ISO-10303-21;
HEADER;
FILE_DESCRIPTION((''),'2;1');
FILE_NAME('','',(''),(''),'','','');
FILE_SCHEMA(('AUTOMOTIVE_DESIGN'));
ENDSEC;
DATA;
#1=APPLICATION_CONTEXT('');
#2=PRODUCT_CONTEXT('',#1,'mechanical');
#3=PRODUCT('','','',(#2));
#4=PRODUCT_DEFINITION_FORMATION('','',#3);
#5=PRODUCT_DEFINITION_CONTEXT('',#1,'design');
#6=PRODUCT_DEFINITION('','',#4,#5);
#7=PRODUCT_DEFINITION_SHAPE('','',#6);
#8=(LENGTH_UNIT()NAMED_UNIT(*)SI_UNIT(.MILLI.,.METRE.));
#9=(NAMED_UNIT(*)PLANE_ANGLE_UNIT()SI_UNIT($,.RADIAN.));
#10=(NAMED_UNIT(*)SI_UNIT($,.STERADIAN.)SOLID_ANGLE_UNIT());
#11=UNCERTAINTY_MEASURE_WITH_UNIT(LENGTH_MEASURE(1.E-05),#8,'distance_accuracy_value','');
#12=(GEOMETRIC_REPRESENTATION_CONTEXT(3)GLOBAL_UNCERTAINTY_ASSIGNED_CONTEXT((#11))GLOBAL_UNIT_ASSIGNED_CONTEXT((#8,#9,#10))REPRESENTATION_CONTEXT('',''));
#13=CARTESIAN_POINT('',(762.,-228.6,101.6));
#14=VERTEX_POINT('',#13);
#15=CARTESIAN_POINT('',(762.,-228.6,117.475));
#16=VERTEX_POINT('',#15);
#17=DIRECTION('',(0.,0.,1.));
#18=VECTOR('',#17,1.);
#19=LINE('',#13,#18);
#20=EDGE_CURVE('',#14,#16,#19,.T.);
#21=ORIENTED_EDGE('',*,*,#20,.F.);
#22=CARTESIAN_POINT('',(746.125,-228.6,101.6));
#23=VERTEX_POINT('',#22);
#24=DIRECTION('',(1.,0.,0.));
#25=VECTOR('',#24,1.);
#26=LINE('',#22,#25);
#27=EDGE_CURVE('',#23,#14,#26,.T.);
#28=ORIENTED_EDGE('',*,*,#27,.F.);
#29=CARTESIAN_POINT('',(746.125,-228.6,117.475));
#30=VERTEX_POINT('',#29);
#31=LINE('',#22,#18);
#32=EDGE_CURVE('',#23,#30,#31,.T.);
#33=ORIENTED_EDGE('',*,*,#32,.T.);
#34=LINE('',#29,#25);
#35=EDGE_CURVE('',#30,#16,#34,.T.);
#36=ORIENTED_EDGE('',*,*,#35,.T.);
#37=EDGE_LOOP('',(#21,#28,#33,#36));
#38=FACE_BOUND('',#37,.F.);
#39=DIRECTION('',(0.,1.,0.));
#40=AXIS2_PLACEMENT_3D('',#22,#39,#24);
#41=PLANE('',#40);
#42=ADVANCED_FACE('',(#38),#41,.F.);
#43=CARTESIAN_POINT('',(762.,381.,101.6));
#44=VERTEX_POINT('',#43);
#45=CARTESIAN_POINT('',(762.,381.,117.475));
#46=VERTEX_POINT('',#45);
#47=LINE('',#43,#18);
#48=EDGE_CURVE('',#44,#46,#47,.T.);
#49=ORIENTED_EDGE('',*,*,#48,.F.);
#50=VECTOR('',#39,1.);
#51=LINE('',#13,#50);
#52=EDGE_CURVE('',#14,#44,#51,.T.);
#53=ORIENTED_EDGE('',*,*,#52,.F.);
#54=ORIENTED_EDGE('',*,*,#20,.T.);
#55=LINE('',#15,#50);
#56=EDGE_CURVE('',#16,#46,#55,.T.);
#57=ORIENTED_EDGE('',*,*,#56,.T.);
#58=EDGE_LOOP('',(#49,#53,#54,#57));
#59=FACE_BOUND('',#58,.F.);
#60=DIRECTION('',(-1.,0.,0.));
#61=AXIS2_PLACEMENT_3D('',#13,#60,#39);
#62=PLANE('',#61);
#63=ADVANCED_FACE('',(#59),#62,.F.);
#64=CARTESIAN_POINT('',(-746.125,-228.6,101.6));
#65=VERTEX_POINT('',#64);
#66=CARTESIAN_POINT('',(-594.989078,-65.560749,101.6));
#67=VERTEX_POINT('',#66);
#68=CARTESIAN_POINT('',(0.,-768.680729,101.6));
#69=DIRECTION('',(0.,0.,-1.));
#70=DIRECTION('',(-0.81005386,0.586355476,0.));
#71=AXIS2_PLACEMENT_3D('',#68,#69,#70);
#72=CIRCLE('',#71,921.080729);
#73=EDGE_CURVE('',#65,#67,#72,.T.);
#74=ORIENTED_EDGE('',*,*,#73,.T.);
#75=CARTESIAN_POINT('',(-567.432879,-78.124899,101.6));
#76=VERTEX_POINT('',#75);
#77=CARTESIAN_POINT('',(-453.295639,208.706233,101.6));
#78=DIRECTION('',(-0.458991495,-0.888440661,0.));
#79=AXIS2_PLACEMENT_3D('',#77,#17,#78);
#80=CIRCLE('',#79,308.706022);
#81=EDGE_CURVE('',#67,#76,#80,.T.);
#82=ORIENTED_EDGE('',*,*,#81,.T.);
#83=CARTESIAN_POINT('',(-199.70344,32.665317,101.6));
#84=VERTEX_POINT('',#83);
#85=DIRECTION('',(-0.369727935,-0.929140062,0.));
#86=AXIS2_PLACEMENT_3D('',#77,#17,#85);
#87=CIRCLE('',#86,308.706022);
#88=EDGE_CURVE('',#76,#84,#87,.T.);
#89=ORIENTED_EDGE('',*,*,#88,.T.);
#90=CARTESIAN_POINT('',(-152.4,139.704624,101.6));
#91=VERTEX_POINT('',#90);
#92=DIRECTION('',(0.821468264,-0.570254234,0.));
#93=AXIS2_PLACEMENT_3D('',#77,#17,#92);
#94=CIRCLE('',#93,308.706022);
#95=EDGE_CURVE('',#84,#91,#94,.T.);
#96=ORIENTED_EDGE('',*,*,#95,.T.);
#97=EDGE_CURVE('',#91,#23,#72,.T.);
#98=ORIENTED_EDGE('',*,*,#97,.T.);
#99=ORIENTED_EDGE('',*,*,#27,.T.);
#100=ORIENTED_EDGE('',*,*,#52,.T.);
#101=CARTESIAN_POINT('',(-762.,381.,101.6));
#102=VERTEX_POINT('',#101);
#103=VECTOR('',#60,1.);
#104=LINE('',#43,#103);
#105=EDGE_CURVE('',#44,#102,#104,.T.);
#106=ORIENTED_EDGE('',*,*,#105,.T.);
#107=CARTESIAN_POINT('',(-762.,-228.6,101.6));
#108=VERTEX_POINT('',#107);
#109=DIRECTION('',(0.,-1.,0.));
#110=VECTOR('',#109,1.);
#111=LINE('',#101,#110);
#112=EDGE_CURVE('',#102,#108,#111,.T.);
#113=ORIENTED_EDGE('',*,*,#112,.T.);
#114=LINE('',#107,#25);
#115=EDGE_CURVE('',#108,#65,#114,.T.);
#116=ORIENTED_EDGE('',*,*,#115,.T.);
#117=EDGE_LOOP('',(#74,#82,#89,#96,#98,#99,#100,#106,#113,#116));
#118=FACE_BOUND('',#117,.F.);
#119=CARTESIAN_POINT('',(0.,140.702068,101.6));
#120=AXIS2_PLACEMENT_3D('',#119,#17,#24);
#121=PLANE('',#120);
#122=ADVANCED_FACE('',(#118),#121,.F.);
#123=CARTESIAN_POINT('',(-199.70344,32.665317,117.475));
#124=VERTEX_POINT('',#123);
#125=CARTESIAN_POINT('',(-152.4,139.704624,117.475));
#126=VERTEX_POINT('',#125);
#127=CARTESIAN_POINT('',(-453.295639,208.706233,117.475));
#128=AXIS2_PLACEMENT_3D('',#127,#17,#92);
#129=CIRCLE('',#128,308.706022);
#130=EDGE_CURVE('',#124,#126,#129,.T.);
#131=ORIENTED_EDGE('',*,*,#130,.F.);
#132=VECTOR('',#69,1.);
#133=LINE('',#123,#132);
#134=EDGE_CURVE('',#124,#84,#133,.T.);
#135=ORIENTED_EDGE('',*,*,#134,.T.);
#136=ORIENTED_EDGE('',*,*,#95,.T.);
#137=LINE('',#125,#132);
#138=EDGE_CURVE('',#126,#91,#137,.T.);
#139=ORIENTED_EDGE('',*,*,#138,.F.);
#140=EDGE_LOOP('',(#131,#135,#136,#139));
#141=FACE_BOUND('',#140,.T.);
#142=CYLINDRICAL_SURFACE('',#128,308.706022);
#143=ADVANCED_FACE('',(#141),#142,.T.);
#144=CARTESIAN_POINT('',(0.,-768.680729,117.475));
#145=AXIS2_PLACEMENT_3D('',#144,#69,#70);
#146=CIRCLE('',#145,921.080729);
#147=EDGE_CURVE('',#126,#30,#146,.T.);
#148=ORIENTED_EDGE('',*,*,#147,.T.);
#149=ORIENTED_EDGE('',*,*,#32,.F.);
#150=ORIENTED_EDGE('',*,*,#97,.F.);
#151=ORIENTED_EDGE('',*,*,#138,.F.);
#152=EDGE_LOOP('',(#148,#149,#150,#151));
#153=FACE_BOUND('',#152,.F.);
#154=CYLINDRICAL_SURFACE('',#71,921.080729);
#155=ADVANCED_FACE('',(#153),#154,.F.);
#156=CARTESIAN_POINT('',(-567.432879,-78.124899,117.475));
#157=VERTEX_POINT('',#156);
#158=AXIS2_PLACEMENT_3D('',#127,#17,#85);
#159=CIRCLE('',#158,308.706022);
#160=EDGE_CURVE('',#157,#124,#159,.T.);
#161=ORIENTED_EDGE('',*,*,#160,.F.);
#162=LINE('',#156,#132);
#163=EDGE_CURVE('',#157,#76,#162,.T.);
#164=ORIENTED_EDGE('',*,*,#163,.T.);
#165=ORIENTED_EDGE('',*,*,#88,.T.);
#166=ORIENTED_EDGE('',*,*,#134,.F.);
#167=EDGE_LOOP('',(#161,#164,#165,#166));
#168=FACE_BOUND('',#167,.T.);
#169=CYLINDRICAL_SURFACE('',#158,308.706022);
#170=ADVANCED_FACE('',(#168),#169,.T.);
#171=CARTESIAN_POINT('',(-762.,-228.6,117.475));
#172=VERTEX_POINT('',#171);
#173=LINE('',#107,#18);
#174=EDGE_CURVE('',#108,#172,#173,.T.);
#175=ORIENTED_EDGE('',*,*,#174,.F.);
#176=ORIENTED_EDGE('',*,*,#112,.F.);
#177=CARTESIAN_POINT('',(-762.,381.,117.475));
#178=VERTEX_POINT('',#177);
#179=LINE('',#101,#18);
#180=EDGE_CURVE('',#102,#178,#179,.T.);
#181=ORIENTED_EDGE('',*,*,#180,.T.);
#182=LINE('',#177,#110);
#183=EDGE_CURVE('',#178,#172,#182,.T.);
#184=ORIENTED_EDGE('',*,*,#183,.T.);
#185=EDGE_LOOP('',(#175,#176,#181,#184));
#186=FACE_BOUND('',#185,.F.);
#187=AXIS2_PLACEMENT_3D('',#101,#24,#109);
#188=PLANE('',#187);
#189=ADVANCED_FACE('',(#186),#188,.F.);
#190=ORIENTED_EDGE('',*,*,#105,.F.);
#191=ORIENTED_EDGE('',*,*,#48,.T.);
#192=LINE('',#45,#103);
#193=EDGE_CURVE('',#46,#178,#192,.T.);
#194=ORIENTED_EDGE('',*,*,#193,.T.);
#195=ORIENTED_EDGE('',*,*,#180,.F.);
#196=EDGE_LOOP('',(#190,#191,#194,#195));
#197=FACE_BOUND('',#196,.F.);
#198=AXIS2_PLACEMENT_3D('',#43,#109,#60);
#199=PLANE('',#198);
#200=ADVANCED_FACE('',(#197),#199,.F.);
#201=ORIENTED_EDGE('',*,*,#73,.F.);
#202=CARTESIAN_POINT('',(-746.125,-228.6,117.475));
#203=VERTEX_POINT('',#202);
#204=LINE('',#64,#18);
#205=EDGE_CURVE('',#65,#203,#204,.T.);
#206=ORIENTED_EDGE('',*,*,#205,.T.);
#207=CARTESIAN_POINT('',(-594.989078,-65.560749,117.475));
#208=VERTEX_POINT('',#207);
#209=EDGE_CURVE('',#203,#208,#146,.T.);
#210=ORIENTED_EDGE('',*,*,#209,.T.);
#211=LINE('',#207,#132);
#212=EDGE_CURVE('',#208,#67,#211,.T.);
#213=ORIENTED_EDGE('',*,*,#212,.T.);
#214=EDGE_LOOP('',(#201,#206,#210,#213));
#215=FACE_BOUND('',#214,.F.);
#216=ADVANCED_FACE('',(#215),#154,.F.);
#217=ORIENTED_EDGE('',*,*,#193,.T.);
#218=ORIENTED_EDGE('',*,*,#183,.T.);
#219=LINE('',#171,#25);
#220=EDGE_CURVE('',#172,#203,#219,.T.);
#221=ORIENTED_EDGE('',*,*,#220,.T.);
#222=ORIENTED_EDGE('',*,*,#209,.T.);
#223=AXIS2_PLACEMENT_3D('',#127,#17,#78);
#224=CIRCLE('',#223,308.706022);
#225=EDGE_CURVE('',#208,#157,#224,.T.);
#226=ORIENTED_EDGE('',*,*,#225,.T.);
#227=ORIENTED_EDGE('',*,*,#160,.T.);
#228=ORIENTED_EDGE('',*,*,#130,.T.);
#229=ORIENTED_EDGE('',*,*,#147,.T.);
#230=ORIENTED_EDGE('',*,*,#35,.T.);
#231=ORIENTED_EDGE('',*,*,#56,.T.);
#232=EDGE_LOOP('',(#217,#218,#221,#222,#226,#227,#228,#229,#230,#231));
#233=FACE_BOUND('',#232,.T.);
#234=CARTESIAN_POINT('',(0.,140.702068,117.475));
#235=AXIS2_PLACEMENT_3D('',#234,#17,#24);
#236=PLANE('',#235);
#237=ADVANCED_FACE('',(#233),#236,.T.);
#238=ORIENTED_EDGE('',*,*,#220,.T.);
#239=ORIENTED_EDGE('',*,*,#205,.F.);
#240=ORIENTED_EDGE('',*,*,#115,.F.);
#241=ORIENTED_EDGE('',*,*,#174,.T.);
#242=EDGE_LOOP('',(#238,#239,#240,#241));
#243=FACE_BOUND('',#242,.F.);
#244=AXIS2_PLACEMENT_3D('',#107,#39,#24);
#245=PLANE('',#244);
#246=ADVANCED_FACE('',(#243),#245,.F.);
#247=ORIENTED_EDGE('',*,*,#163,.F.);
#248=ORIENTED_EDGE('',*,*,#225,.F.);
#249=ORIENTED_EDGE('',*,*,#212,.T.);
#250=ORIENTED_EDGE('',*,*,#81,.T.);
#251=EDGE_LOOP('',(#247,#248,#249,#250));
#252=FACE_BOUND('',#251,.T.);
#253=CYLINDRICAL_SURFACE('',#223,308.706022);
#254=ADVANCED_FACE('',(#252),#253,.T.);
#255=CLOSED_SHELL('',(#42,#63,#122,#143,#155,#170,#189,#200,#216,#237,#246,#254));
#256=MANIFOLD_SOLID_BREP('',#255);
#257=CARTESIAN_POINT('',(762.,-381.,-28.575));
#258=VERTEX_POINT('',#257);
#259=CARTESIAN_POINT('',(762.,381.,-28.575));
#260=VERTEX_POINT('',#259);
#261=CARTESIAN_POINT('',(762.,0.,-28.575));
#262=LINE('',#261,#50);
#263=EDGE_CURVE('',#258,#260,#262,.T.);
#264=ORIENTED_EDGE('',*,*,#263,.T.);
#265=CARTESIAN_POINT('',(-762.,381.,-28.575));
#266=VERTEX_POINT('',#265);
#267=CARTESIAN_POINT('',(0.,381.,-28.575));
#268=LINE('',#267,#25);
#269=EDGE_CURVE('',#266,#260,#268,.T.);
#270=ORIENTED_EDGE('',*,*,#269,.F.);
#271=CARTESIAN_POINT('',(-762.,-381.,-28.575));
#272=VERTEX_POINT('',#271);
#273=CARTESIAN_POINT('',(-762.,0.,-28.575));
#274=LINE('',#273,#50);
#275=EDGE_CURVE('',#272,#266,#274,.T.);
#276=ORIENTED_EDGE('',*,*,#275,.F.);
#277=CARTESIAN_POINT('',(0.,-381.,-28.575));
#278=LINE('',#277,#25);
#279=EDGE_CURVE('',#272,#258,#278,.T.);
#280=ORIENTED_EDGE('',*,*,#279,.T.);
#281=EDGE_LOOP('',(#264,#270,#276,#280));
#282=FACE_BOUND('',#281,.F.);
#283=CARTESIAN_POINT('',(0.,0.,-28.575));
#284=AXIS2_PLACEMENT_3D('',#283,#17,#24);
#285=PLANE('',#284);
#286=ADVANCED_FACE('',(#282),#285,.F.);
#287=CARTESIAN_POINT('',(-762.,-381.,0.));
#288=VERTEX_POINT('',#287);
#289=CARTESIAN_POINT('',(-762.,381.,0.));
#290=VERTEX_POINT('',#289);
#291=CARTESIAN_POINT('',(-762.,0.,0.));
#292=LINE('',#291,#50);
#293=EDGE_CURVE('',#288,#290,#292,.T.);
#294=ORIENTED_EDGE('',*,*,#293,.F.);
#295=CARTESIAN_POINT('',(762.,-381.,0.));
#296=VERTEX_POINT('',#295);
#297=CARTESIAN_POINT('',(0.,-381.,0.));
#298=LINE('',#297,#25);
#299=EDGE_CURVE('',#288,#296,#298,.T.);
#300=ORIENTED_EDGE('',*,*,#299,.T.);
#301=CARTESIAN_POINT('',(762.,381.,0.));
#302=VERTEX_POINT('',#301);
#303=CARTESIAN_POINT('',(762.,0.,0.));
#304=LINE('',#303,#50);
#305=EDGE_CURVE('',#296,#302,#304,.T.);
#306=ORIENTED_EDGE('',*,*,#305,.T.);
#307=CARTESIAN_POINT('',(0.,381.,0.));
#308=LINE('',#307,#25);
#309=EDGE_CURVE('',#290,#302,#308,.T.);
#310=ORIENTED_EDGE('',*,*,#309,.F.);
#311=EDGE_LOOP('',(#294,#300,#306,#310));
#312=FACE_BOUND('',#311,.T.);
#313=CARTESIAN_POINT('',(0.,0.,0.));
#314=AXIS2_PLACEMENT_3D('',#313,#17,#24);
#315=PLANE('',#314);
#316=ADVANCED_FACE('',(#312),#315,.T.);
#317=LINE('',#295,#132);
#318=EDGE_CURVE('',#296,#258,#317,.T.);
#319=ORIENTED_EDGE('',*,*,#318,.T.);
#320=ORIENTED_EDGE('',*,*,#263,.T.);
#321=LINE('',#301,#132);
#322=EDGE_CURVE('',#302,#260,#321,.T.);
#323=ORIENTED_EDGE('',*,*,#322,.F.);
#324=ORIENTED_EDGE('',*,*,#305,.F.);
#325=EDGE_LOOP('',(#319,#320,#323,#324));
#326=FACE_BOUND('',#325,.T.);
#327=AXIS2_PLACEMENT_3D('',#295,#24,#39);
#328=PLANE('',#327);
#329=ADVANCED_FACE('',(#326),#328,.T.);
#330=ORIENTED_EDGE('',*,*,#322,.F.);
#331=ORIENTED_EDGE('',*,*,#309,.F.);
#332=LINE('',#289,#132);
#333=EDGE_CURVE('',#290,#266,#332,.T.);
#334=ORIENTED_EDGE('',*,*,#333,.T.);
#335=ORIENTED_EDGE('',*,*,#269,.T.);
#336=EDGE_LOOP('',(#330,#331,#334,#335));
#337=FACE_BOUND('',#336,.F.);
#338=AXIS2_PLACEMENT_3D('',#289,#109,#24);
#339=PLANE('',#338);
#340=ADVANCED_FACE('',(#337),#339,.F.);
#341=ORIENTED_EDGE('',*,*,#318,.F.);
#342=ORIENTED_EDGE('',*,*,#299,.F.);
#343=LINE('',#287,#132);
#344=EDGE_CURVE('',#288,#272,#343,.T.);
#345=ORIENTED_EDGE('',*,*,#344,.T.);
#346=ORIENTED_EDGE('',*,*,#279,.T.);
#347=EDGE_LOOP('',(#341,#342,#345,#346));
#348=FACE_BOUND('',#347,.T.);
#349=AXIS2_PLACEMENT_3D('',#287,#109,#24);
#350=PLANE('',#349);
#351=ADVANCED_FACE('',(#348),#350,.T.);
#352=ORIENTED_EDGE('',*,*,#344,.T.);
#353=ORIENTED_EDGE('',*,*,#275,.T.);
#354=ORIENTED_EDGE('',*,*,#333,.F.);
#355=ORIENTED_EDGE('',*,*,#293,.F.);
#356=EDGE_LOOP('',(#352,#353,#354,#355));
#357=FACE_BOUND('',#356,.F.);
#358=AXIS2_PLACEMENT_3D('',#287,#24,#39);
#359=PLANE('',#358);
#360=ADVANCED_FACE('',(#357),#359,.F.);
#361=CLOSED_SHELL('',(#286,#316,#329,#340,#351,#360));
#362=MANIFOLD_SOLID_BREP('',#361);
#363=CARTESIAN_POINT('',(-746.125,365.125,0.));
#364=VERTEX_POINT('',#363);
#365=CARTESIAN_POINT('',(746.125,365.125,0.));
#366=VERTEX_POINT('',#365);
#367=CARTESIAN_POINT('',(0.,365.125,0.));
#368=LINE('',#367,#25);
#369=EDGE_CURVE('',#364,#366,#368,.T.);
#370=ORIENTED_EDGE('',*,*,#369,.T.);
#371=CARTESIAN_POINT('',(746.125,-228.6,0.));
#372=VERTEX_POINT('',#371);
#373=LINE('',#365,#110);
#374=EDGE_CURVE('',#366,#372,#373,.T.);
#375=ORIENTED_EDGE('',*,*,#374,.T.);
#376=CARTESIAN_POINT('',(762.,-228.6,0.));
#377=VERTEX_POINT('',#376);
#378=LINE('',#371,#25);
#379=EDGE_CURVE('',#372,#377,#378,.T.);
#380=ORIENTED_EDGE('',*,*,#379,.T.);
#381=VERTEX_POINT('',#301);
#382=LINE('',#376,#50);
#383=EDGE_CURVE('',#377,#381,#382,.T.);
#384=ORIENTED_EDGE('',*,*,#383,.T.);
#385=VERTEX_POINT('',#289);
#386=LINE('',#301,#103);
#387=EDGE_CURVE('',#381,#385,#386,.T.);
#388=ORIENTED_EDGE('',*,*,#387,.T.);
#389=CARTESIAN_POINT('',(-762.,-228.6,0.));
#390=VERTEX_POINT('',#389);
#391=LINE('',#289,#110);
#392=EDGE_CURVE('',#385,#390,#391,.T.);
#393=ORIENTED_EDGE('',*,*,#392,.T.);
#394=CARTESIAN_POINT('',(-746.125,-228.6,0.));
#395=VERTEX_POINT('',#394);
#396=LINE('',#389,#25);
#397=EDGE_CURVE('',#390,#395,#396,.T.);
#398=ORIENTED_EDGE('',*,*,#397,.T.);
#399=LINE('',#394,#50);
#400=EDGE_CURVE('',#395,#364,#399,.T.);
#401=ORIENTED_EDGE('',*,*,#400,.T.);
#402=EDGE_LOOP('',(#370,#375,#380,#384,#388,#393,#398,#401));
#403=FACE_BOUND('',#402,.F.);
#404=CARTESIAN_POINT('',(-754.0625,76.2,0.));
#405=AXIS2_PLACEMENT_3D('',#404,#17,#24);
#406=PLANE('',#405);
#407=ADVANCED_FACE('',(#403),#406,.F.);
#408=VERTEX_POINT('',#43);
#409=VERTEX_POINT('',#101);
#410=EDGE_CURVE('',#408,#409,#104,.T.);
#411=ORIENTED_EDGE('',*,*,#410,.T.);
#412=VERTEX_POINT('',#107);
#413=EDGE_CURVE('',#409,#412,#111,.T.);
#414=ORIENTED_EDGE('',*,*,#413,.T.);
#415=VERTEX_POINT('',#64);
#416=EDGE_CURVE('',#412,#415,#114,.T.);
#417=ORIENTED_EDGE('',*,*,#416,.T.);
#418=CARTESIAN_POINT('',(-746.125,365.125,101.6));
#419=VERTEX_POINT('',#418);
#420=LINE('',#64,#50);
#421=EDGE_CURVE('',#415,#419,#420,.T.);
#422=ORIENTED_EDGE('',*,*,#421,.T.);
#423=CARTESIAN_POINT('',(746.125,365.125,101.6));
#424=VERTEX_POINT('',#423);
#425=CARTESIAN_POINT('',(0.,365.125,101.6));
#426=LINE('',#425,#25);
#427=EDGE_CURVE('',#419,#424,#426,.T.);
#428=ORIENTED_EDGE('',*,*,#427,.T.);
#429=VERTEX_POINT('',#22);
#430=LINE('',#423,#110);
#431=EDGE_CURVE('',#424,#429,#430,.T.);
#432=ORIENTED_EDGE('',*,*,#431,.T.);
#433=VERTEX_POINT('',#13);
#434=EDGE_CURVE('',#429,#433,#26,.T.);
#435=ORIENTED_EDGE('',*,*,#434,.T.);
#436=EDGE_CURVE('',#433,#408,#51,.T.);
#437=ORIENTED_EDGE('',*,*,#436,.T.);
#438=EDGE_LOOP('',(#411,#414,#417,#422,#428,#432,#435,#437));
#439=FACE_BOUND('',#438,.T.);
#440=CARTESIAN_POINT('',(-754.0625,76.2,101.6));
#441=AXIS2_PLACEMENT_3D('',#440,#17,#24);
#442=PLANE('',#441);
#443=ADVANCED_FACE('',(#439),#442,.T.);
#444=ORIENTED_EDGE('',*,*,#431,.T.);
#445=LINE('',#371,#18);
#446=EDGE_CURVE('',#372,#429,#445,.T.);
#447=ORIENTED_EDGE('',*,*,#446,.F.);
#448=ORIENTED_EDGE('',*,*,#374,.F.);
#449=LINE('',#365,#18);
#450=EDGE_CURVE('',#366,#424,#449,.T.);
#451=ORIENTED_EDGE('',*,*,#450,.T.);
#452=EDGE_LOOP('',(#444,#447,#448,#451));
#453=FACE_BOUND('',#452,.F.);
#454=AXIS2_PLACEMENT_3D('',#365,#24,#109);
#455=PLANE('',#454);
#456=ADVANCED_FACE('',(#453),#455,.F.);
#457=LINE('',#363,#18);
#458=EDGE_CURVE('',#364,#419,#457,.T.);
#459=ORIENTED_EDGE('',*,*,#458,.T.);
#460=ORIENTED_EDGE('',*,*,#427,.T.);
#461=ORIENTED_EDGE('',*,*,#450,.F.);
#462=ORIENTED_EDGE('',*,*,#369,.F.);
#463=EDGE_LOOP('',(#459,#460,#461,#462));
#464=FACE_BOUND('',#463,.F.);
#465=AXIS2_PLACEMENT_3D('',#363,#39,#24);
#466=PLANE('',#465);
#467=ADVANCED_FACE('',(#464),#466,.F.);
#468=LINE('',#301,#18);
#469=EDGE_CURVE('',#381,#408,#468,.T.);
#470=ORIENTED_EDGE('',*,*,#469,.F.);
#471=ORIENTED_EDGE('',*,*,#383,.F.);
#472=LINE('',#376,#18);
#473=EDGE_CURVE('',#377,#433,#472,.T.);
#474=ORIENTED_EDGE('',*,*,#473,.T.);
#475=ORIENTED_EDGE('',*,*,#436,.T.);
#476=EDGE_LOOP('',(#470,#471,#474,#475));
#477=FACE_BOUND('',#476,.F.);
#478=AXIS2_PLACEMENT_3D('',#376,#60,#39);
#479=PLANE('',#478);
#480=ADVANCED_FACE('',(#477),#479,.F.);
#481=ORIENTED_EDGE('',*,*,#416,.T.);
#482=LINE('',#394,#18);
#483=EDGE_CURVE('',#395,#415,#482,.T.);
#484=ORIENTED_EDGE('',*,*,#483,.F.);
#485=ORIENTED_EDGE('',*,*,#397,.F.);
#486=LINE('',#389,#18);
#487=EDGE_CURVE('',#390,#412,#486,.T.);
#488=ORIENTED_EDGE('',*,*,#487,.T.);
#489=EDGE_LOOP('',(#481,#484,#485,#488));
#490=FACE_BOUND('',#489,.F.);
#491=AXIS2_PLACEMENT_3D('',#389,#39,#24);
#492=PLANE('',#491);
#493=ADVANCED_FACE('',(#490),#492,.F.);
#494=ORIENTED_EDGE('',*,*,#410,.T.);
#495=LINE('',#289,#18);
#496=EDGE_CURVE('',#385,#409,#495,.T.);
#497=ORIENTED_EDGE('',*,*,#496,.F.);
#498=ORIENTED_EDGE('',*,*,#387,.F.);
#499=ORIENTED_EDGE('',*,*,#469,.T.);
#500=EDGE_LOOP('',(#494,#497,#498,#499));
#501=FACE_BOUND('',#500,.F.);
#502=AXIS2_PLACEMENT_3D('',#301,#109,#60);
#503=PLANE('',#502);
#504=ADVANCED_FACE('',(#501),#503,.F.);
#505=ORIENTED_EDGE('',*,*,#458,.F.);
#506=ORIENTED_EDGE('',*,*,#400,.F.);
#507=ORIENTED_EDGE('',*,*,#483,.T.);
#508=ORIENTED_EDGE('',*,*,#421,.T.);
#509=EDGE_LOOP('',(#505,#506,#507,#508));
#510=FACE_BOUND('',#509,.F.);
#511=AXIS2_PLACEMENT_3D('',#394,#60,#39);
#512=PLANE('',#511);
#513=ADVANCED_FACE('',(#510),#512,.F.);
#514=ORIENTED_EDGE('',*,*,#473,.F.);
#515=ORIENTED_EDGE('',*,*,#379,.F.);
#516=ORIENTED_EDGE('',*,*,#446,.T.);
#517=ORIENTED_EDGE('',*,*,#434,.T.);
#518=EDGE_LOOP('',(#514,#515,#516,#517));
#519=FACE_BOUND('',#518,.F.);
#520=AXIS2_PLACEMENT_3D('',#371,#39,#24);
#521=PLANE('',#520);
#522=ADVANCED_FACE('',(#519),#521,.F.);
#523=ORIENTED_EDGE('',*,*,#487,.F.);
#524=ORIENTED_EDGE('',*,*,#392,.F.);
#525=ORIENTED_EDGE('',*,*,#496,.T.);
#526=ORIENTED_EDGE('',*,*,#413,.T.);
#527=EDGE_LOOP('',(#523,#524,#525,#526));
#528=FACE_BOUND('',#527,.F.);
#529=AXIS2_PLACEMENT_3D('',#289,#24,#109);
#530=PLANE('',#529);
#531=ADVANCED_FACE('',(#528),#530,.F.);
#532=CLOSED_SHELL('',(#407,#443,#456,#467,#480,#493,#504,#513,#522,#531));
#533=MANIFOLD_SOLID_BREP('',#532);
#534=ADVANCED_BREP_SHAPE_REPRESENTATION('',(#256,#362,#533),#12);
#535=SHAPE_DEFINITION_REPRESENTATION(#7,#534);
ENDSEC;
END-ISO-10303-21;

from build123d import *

# Parameters (mm, degrees)
F0_W     = 1524
F0_H     = 762
F1_DEPTH = 28.575
F2_W     = 1492.25
F2_H     = 15.875
F3_DEPTH = 101.6
F5_DEPTH = 15.875
F7_DEPTH = 15.875


with BuildPart() as f1:
    # F0 (on Top) → F1 (new body)
    with BuildSketch(Plane.XY):
        Rectangle(F0_W, F0_H)
    extrude(amount=-F1_DEPTH)


with BuildPart() as f3:
    # F2 (on face) → F3 (new body)
    with BuildSketch(Plane.XY):
        Polygon((-746.125, 381), (-762, 381), (-762, -228.6), (-746.125, -228.6), (-746.125, 365.125), align=None)
        with Locations((0, 373.0625)):
            Rectangle(F2_W, F2_H)
        Polygon((762, 381), (746.125, 381), (746.125, 365.125), (746.125, -228.6), (762, -228.6), align=None)
    extrude(amount=F3_DEPTH)


with BuildPart() as f5:
    # F4 (on face) → F5 (new body)
    with BuildSketch(Plane.XY.offset(101.6)):
        with BuildLine():
            ThreePointArc((-746.125, -228.6), (0, 152.4), (746.125, -228.6))
            Line((746.125, -228.6), (746.125, 365.125))
            Line((746.125, 365.125), (-746.125, 365.125))
            Line((-746.125, 365.125), (-746.125, -228.6))
        make_face()
        Polygon((746.125, 365.125), (746.125, -228.6), (762, -228.6), (762, 381), (-762, 381), (-762, -228.6), (-746.125, -228.6), (-746.125, 365.125), align=None)
    extrude(amount=F5_DEPTH)

    # F6 (on face) → F7 (join, through all)
    with BuildSketch(Plane.XY.offset(117.475)):
        with BuildLine():
            Line((-567.4328792848, -78.1248988452), (-578.9371297689, -52.2859292015))
            ThreePointArc((-578.9371297689, -52.2859292015), (-587.0006306772, -58.8779613313), (-594.9890778051, -65.5607486976))
            ThreePointArc((-594.9890778051, -65.5607486976), (-581.3651457464, -72.180949467), (-567.4328792848, -78.1248988452))
        make_face()
        with BuildLine():
            Line((-199.7034395213, 32.6653174527), (-238.9702921956, 120.8601125546))
            ThreePointArc((-238.9702921956, 120.8601125546), (-418.0167767807, 52.0821379101), (-578.9371297689, -52.2859292015))
            Line((-578.9371297689, -52.2859292015), (-567.4328792848, -78.1248988452))
            ThreePointArc((-567.4328792848, -78.1248988452), (-475.493372553, -99.2006820611), (-381.4815066983, -91.5305702783))
            Line((-381.4815066983, -91.5305702783), (-278.2292465465, -45.5597022358))
            ThreePointArc((-278.2292465465, -45.5597022358), (-235.4267896146, -10.0003559429), (-199.7034395213, 32.6653174527))
        make_face()
        with BuildLine():
            ThreePointArc((-152.4, 139.7046238869), (-195.9118559586, 131.3238565645), (-238.9702921956, 120.8601125546))
            Line((-238.9702921956, 120.8601125546), (-199.7034395213, 32.6653174527))
            ThreePointArc((-199.7034395213, 32.6653174527), (-170.9332051828, 83.9229666188), (-152.4, 139.7046238869))
        make_face()
        with BuildLine():
            ThreePointArc((-381.4815066983, -91.5305702783), (-327.733588399, -73.3107506333), (-278.2292465465, -45.5597022358))
            Line((-278.2292465465, -45.5597022358), (-381.4815066983, -91.5305702783))
        make_face()
    extrude(amount=-F7_DEPTH)


solid = Compound([f1.part, f3.part, f5.part])
